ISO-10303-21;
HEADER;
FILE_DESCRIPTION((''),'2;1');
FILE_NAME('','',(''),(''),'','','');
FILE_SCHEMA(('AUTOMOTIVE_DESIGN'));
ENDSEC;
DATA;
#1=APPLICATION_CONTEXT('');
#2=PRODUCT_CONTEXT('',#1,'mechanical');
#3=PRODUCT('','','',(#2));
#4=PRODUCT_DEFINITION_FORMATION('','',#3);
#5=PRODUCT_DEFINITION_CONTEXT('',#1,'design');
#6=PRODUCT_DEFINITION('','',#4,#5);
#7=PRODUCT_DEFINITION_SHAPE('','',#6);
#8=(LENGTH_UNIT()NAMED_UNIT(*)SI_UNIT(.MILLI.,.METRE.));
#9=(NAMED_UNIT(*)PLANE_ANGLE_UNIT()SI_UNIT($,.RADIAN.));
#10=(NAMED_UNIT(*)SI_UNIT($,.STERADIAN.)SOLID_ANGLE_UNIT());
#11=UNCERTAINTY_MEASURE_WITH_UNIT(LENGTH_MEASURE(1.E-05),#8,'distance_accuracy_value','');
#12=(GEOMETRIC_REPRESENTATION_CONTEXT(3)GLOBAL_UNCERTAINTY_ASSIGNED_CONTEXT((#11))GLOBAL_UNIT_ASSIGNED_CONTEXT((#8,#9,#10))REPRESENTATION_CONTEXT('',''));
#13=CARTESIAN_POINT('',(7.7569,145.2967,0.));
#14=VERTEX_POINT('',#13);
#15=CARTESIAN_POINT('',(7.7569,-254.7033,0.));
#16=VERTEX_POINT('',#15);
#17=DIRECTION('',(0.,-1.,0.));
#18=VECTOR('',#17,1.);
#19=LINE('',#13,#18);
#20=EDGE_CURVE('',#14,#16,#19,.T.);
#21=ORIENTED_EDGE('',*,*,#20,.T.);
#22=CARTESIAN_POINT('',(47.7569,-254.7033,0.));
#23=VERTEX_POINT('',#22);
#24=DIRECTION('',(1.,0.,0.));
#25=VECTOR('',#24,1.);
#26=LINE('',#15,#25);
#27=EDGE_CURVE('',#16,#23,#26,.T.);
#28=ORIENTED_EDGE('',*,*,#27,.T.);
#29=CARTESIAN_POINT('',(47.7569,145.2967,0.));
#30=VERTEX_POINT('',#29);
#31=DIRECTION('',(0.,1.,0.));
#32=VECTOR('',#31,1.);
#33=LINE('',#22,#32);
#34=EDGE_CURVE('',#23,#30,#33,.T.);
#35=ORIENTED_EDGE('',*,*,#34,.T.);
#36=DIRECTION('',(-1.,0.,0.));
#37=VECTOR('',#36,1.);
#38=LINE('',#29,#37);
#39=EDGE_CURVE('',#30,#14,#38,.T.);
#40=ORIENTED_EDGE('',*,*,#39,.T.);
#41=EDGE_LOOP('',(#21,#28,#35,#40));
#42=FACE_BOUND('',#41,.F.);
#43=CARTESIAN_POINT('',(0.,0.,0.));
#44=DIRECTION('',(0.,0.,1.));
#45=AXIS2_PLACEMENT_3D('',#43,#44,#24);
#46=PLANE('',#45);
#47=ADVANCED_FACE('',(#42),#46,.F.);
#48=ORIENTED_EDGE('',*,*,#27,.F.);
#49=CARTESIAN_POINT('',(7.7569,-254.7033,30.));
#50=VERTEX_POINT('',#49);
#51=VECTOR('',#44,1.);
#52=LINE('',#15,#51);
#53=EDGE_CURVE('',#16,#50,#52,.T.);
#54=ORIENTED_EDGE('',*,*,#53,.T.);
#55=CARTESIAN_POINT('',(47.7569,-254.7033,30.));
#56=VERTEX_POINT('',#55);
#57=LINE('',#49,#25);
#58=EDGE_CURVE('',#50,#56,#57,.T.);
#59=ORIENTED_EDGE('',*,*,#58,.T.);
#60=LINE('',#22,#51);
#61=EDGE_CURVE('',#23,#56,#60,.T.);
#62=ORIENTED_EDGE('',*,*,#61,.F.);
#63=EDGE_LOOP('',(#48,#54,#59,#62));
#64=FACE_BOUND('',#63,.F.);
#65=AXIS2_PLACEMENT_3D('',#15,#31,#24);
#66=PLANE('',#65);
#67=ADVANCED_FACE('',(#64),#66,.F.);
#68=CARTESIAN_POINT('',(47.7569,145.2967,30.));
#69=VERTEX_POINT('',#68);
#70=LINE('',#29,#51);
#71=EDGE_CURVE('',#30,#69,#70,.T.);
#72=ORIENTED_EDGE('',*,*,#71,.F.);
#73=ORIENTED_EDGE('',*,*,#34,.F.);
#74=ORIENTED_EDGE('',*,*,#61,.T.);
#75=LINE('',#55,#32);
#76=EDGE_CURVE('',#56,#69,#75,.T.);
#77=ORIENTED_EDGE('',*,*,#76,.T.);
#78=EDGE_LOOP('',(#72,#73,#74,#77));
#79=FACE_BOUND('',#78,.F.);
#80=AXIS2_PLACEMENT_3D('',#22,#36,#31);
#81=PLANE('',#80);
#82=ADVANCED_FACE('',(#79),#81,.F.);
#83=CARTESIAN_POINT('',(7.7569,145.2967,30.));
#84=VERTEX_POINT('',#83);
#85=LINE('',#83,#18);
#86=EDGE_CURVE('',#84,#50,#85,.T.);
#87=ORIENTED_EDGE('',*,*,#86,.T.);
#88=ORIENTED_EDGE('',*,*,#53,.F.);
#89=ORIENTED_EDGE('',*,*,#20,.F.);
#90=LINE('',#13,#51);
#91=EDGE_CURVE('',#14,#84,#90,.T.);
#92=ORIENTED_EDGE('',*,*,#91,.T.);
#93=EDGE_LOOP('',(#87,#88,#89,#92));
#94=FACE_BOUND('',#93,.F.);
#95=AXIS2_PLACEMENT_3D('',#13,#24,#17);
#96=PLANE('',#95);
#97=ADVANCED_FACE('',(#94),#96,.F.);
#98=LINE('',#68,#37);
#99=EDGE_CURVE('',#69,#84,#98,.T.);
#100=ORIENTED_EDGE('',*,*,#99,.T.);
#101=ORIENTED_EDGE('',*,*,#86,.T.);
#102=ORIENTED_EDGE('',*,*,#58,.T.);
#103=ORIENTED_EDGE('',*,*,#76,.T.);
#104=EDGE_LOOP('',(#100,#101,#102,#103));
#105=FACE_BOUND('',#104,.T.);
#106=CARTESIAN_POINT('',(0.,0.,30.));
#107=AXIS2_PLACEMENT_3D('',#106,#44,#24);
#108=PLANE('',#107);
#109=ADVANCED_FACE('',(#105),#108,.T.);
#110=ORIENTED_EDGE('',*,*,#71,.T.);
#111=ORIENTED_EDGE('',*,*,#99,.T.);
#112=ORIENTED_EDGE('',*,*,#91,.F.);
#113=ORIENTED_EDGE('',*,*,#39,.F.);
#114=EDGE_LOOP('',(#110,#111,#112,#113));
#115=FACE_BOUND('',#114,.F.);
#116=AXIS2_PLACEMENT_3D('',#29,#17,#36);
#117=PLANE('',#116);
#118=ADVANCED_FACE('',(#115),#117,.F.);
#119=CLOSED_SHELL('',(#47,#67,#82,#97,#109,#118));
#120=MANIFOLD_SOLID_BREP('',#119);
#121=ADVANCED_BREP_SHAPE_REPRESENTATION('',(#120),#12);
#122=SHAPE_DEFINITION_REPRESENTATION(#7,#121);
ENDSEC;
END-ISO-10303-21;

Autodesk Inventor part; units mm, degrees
ref_plane "YZ Plane" through (0, 0, 0) normal (1, 0, 0) x (0, 1, 0)
ref_plane "XZ Plane" through (0, 0, 0) normal (0, 1, 0) x (-1, 0, 0)
ref_plane "XY Plane" through (0, 0, 0) normal (0, 0, 1) x (1, 0, 0)
sketch "Schizzo1" plane through (0, 0, 0) normal (0, 0, 1) x (1, 0, 0)
  line L0 (47.7569, 145.2967) -> (7.7569, 145.2967)
  line L1 (7.7569, 145.2967) -> (7.7569, -254.7033)
  line L2 (7.7569, -254.7033) -> (47.7569, -254.7033)
  line L3 (47.7569, -254.7033) -> (47.7569, 145.2967)
  point P0 (0, 0)
  dimension "d0" = 400
  dimension "d1" = 40
extrude "Estrusione1" add sketch "Schizzo1" along normal blind 30
properties part number "guide corte y"
